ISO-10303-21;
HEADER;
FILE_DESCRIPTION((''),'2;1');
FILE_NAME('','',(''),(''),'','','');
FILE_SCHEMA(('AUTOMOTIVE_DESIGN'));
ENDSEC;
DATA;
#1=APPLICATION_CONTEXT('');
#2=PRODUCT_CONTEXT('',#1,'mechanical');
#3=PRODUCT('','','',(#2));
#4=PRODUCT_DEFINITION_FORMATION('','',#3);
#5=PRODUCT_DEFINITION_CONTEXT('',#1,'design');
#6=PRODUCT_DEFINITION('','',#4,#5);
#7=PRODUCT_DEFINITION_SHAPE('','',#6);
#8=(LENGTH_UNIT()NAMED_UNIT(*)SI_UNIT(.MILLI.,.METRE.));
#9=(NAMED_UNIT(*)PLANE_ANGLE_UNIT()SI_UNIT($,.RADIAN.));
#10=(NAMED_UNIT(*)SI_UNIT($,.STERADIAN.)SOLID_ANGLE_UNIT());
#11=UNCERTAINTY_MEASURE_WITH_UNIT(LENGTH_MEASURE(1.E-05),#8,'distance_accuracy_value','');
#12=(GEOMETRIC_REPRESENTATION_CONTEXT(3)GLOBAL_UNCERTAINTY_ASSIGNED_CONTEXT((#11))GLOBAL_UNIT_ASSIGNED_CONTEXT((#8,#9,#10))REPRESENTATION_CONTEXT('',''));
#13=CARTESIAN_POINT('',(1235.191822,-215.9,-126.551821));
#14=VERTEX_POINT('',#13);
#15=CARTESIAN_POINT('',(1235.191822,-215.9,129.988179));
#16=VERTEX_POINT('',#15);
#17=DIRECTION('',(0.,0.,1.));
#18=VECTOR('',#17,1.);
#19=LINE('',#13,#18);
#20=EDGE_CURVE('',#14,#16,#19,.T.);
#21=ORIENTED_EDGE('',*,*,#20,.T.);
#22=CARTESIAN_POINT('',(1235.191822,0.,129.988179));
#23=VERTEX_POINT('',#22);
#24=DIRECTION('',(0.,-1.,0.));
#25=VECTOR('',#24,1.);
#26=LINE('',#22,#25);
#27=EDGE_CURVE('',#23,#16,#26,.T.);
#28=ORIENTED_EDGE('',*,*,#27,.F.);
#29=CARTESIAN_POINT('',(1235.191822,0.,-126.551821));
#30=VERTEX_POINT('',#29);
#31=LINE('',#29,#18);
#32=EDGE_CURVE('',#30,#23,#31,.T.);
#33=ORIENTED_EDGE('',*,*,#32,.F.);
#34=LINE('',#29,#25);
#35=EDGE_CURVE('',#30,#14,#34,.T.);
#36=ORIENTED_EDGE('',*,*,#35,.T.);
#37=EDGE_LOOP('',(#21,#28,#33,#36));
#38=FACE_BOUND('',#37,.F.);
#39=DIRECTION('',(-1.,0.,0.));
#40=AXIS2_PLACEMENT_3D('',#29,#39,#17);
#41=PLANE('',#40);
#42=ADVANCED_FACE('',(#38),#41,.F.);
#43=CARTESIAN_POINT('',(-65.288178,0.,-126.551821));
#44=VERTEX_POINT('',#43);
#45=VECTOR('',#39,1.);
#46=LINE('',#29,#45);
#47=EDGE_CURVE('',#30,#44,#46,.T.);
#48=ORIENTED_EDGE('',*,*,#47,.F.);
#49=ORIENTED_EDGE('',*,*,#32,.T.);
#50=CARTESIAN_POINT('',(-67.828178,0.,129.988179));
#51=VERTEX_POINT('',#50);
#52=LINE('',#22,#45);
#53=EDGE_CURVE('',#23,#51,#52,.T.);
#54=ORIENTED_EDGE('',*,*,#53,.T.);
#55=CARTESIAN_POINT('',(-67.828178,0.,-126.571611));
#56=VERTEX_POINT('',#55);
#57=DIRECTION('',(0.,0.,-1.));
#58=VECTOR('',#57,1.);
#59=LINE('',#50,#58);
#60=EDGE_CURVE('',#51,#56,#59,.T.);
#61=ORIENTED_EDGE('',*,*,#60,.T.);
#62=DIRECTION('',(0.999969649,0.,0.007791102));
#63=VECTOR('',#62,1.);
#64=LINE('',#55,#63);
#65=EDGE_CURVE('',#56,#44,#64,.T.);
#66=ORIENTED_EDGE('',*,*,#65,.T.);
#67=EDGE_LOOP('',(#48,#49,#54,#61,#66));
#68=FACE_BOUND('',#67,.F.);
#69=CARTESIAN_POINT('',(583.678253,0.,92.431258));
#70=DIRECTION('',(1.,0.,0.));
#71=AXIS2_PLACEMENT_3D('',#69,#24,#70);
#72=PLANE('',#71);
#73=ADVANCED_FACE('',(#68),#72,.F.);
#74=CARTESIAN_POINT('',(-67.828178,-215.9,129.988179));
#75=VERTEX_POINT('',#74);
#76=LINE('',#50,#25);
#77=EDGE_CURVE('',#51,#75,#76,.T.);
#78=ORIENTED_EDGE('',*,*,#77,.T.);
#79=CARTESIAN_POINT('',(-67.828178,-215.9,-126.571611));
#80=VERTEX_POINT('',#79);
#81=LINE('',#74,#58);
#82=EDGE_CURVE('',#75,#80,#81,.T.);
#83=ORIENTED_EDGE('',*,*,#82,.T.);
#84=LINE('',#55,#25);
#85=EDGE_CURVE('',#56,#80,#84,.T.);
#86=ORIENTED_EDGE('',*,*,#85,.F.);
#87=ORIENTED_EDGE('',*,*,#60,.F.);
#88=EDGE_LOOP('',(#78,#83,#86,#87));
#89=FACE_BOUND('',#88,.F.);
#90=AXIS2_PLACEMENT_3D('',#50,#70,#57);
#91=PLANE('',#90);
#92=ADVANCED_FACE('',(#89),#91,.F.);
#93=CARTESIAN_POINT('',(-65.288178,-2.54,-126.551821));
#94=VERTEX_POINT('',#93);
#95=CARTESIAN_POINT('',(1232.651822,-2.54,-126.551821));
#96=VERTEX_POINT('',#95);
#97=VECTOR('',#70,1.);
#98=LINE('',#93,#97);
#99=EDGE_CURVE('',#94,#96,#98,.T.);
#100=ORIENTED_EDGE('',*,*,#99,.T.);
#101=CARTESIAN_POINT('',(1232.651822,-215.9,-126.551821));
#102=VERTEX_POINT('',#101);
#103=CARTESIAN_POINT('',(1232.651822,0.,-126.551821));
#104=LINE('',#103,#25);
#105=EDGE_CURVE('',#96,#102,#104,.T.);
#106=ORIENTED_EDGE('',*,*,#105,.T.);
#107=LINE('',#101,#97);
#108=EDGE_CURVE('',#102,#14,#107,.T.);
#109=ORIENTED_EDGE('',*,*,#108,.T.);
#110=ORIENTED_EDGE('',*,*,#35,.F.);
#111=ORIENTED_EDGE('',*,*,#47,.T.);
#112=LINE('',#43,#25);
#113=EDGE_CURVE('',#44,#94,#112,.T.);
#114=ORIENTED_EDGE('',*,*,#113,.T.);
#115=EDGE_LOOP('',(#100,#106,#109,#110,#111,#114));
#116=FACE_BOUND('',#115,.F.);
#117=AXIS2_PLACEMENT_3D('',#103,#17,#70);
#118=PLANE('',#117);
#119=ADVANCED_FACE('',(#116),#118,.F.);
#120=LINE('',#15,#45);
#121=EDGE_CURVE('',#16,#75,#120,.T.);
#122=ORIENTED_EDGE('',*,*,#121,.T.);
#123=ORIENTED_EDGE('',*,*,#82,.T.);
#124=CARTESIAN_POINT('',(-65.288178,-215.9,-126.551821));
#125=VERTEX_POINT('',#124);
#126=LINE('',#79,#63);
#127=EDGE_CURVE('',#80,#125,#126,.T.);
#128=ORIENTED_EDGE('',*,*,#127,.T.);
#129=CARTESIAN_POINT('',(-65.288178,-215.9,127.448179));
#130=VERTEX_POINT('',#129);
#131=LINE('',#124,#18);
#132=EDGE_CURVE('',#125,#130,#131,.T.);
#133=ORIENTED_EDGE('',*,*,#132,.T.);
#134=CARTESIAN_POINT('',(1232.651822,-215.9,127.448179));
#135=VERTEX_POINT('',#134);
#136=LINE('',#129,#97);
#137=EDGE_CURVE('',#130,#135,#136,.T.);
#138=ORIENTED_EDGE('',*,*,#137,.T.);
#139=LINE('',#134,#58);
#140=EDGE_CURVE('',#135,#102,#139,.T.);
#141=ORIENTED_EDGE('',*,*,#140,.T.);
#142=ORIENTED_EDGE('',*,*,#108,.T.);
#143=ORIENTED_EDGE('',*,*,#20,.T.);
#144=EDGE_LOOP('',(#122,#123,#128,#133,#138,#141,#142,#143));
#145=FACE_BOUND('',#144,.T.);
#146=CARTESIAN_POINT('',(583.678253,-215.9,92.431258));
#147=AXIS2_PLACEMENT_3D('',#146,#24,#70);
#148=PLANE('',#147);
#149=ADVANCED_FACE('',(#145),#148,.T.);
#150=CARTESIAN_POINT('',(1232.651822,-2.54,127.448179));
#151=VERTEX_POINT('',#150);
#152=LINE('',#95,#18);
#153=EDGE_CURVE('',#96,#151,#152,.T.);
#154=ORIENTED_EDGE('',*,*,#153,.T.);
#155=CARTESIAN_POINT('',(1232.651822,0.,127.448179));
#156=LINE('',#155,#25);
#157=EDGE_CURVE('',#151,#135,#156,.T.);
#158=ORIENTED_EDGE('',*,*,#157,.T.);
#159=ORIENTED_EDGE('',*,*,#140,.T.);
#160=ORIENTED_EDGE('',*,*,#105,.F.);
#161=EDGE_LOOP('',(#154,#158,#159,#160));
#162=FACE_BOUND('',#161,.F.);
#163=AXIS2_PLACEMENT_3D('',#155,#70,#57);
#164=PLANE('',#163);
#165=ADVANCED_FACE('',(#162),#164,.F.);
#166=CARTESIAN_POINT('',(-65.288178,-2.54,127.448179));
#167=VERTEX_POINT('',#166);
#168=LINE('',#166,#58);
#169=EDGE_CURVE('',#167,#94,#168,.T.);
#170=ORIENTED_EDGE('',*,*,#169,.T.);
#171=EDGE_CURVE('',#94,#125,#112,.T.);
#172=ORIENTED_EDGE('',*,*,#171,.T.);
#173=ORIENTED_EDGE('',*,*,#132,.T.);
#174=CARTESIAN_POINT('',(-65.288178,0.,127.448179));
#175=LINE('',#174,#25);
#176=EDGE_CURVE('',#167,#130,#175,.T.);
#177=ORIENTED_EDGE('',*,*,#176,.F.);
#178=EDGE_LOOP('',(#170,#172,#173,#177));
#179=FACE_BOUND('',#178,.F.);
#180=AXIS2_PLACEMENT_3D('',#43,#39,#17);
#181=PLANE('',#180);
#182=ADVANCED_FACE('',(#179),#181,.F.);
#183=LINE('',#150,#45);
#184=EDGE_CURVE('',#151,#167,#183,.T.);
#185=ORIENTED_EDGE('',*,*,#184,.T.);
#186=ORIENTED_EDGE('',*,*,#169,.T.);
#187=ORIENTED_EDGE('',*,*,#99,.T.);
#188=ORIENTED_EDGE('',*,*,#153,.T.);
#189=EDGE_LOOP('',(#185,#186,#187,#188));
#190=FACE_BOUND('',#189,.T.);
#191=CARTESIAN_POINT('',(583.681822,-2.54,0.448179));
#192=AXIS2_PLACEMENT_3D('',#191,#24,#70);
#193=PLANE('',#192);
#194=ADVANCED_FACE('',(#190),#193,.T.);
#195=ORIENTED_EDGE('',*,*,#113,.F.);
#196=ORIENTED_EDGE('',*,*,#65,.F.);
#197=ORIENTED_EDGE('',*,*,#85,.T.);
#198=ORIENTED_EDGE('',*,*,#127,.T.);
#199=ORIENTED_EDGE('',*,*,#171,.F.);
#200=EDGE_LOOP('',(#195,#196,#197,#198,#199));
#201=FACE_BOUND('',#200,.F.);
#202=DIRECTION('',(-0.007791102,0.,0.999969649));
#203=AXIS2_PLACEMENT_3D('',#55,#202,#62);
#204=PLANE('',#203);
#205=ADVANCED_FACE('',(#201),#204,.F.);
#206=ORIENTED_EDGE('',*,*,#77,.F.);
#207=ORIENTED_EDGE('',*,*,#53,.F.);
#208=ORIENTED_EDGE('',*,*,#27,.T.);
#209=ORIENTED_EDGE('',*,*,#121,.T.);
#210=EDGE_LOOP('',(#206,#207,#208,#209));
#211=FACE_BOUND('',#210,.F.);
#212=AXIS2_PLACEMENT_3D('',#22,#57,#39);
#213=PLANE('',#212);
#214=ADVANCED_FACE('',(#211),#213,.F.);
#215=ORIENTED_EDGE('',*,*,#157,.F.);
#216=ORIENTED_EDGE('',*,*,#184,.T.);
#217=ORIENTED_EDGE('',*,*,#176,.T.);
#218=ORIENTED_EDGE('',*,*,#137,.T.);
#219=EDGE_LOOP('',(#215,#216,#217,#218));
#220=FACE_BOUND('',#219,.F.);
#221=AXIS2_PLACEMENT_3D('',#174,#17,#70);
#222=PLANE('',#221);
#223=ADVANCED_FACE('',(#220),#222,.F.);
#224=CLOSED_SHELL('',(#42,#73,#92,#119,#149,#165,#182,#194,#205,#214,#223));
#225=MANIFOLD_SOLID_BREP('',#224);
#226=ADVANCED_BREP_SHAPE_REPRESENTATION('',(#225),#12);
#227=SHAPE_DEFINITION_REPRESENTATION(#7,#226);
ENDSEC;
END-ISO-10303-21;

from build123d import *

# Parameters (mm, degrees)
F1_DEPTH = 2.54
F2_DEPTH = 215.9


with BuildPart() as f1:
    # F0 (on Front) → F1 (new body)
    with BuildSketch(Plane.XZ):
        Polygon((-65.288178, -24.951821), (-65.288178, -126.551821), (-60.989264, -126.551821), (1232.651822, -126.551821), (1232.651822, 25.848179), (1232.651822, 127.448179), (-65.288178, 127.448179), align=None)
    extrude(amount=F1_DEPTH)

    # F0 (on Front) → F2 (join)
    with BuildSketch(Plane.XZ):
        Polygon((1235.191822, 129.988179), (-67.828178, 129.988179), (-67.828178, -24.951821), (-67.828178, -126.571611), (-65.288178, -126.551821), (-65.288178, -24.951821), (-65.288178, 127.448179), (1232.651822, 127.448179), (1232.651822, 25.848179), (1232.651822, -126.551821), (1235.191822, -126.551821), (1235.191822, -24.951821), align=None)
    extrude(amount=F2_DEPTH)


solid = f1.part
